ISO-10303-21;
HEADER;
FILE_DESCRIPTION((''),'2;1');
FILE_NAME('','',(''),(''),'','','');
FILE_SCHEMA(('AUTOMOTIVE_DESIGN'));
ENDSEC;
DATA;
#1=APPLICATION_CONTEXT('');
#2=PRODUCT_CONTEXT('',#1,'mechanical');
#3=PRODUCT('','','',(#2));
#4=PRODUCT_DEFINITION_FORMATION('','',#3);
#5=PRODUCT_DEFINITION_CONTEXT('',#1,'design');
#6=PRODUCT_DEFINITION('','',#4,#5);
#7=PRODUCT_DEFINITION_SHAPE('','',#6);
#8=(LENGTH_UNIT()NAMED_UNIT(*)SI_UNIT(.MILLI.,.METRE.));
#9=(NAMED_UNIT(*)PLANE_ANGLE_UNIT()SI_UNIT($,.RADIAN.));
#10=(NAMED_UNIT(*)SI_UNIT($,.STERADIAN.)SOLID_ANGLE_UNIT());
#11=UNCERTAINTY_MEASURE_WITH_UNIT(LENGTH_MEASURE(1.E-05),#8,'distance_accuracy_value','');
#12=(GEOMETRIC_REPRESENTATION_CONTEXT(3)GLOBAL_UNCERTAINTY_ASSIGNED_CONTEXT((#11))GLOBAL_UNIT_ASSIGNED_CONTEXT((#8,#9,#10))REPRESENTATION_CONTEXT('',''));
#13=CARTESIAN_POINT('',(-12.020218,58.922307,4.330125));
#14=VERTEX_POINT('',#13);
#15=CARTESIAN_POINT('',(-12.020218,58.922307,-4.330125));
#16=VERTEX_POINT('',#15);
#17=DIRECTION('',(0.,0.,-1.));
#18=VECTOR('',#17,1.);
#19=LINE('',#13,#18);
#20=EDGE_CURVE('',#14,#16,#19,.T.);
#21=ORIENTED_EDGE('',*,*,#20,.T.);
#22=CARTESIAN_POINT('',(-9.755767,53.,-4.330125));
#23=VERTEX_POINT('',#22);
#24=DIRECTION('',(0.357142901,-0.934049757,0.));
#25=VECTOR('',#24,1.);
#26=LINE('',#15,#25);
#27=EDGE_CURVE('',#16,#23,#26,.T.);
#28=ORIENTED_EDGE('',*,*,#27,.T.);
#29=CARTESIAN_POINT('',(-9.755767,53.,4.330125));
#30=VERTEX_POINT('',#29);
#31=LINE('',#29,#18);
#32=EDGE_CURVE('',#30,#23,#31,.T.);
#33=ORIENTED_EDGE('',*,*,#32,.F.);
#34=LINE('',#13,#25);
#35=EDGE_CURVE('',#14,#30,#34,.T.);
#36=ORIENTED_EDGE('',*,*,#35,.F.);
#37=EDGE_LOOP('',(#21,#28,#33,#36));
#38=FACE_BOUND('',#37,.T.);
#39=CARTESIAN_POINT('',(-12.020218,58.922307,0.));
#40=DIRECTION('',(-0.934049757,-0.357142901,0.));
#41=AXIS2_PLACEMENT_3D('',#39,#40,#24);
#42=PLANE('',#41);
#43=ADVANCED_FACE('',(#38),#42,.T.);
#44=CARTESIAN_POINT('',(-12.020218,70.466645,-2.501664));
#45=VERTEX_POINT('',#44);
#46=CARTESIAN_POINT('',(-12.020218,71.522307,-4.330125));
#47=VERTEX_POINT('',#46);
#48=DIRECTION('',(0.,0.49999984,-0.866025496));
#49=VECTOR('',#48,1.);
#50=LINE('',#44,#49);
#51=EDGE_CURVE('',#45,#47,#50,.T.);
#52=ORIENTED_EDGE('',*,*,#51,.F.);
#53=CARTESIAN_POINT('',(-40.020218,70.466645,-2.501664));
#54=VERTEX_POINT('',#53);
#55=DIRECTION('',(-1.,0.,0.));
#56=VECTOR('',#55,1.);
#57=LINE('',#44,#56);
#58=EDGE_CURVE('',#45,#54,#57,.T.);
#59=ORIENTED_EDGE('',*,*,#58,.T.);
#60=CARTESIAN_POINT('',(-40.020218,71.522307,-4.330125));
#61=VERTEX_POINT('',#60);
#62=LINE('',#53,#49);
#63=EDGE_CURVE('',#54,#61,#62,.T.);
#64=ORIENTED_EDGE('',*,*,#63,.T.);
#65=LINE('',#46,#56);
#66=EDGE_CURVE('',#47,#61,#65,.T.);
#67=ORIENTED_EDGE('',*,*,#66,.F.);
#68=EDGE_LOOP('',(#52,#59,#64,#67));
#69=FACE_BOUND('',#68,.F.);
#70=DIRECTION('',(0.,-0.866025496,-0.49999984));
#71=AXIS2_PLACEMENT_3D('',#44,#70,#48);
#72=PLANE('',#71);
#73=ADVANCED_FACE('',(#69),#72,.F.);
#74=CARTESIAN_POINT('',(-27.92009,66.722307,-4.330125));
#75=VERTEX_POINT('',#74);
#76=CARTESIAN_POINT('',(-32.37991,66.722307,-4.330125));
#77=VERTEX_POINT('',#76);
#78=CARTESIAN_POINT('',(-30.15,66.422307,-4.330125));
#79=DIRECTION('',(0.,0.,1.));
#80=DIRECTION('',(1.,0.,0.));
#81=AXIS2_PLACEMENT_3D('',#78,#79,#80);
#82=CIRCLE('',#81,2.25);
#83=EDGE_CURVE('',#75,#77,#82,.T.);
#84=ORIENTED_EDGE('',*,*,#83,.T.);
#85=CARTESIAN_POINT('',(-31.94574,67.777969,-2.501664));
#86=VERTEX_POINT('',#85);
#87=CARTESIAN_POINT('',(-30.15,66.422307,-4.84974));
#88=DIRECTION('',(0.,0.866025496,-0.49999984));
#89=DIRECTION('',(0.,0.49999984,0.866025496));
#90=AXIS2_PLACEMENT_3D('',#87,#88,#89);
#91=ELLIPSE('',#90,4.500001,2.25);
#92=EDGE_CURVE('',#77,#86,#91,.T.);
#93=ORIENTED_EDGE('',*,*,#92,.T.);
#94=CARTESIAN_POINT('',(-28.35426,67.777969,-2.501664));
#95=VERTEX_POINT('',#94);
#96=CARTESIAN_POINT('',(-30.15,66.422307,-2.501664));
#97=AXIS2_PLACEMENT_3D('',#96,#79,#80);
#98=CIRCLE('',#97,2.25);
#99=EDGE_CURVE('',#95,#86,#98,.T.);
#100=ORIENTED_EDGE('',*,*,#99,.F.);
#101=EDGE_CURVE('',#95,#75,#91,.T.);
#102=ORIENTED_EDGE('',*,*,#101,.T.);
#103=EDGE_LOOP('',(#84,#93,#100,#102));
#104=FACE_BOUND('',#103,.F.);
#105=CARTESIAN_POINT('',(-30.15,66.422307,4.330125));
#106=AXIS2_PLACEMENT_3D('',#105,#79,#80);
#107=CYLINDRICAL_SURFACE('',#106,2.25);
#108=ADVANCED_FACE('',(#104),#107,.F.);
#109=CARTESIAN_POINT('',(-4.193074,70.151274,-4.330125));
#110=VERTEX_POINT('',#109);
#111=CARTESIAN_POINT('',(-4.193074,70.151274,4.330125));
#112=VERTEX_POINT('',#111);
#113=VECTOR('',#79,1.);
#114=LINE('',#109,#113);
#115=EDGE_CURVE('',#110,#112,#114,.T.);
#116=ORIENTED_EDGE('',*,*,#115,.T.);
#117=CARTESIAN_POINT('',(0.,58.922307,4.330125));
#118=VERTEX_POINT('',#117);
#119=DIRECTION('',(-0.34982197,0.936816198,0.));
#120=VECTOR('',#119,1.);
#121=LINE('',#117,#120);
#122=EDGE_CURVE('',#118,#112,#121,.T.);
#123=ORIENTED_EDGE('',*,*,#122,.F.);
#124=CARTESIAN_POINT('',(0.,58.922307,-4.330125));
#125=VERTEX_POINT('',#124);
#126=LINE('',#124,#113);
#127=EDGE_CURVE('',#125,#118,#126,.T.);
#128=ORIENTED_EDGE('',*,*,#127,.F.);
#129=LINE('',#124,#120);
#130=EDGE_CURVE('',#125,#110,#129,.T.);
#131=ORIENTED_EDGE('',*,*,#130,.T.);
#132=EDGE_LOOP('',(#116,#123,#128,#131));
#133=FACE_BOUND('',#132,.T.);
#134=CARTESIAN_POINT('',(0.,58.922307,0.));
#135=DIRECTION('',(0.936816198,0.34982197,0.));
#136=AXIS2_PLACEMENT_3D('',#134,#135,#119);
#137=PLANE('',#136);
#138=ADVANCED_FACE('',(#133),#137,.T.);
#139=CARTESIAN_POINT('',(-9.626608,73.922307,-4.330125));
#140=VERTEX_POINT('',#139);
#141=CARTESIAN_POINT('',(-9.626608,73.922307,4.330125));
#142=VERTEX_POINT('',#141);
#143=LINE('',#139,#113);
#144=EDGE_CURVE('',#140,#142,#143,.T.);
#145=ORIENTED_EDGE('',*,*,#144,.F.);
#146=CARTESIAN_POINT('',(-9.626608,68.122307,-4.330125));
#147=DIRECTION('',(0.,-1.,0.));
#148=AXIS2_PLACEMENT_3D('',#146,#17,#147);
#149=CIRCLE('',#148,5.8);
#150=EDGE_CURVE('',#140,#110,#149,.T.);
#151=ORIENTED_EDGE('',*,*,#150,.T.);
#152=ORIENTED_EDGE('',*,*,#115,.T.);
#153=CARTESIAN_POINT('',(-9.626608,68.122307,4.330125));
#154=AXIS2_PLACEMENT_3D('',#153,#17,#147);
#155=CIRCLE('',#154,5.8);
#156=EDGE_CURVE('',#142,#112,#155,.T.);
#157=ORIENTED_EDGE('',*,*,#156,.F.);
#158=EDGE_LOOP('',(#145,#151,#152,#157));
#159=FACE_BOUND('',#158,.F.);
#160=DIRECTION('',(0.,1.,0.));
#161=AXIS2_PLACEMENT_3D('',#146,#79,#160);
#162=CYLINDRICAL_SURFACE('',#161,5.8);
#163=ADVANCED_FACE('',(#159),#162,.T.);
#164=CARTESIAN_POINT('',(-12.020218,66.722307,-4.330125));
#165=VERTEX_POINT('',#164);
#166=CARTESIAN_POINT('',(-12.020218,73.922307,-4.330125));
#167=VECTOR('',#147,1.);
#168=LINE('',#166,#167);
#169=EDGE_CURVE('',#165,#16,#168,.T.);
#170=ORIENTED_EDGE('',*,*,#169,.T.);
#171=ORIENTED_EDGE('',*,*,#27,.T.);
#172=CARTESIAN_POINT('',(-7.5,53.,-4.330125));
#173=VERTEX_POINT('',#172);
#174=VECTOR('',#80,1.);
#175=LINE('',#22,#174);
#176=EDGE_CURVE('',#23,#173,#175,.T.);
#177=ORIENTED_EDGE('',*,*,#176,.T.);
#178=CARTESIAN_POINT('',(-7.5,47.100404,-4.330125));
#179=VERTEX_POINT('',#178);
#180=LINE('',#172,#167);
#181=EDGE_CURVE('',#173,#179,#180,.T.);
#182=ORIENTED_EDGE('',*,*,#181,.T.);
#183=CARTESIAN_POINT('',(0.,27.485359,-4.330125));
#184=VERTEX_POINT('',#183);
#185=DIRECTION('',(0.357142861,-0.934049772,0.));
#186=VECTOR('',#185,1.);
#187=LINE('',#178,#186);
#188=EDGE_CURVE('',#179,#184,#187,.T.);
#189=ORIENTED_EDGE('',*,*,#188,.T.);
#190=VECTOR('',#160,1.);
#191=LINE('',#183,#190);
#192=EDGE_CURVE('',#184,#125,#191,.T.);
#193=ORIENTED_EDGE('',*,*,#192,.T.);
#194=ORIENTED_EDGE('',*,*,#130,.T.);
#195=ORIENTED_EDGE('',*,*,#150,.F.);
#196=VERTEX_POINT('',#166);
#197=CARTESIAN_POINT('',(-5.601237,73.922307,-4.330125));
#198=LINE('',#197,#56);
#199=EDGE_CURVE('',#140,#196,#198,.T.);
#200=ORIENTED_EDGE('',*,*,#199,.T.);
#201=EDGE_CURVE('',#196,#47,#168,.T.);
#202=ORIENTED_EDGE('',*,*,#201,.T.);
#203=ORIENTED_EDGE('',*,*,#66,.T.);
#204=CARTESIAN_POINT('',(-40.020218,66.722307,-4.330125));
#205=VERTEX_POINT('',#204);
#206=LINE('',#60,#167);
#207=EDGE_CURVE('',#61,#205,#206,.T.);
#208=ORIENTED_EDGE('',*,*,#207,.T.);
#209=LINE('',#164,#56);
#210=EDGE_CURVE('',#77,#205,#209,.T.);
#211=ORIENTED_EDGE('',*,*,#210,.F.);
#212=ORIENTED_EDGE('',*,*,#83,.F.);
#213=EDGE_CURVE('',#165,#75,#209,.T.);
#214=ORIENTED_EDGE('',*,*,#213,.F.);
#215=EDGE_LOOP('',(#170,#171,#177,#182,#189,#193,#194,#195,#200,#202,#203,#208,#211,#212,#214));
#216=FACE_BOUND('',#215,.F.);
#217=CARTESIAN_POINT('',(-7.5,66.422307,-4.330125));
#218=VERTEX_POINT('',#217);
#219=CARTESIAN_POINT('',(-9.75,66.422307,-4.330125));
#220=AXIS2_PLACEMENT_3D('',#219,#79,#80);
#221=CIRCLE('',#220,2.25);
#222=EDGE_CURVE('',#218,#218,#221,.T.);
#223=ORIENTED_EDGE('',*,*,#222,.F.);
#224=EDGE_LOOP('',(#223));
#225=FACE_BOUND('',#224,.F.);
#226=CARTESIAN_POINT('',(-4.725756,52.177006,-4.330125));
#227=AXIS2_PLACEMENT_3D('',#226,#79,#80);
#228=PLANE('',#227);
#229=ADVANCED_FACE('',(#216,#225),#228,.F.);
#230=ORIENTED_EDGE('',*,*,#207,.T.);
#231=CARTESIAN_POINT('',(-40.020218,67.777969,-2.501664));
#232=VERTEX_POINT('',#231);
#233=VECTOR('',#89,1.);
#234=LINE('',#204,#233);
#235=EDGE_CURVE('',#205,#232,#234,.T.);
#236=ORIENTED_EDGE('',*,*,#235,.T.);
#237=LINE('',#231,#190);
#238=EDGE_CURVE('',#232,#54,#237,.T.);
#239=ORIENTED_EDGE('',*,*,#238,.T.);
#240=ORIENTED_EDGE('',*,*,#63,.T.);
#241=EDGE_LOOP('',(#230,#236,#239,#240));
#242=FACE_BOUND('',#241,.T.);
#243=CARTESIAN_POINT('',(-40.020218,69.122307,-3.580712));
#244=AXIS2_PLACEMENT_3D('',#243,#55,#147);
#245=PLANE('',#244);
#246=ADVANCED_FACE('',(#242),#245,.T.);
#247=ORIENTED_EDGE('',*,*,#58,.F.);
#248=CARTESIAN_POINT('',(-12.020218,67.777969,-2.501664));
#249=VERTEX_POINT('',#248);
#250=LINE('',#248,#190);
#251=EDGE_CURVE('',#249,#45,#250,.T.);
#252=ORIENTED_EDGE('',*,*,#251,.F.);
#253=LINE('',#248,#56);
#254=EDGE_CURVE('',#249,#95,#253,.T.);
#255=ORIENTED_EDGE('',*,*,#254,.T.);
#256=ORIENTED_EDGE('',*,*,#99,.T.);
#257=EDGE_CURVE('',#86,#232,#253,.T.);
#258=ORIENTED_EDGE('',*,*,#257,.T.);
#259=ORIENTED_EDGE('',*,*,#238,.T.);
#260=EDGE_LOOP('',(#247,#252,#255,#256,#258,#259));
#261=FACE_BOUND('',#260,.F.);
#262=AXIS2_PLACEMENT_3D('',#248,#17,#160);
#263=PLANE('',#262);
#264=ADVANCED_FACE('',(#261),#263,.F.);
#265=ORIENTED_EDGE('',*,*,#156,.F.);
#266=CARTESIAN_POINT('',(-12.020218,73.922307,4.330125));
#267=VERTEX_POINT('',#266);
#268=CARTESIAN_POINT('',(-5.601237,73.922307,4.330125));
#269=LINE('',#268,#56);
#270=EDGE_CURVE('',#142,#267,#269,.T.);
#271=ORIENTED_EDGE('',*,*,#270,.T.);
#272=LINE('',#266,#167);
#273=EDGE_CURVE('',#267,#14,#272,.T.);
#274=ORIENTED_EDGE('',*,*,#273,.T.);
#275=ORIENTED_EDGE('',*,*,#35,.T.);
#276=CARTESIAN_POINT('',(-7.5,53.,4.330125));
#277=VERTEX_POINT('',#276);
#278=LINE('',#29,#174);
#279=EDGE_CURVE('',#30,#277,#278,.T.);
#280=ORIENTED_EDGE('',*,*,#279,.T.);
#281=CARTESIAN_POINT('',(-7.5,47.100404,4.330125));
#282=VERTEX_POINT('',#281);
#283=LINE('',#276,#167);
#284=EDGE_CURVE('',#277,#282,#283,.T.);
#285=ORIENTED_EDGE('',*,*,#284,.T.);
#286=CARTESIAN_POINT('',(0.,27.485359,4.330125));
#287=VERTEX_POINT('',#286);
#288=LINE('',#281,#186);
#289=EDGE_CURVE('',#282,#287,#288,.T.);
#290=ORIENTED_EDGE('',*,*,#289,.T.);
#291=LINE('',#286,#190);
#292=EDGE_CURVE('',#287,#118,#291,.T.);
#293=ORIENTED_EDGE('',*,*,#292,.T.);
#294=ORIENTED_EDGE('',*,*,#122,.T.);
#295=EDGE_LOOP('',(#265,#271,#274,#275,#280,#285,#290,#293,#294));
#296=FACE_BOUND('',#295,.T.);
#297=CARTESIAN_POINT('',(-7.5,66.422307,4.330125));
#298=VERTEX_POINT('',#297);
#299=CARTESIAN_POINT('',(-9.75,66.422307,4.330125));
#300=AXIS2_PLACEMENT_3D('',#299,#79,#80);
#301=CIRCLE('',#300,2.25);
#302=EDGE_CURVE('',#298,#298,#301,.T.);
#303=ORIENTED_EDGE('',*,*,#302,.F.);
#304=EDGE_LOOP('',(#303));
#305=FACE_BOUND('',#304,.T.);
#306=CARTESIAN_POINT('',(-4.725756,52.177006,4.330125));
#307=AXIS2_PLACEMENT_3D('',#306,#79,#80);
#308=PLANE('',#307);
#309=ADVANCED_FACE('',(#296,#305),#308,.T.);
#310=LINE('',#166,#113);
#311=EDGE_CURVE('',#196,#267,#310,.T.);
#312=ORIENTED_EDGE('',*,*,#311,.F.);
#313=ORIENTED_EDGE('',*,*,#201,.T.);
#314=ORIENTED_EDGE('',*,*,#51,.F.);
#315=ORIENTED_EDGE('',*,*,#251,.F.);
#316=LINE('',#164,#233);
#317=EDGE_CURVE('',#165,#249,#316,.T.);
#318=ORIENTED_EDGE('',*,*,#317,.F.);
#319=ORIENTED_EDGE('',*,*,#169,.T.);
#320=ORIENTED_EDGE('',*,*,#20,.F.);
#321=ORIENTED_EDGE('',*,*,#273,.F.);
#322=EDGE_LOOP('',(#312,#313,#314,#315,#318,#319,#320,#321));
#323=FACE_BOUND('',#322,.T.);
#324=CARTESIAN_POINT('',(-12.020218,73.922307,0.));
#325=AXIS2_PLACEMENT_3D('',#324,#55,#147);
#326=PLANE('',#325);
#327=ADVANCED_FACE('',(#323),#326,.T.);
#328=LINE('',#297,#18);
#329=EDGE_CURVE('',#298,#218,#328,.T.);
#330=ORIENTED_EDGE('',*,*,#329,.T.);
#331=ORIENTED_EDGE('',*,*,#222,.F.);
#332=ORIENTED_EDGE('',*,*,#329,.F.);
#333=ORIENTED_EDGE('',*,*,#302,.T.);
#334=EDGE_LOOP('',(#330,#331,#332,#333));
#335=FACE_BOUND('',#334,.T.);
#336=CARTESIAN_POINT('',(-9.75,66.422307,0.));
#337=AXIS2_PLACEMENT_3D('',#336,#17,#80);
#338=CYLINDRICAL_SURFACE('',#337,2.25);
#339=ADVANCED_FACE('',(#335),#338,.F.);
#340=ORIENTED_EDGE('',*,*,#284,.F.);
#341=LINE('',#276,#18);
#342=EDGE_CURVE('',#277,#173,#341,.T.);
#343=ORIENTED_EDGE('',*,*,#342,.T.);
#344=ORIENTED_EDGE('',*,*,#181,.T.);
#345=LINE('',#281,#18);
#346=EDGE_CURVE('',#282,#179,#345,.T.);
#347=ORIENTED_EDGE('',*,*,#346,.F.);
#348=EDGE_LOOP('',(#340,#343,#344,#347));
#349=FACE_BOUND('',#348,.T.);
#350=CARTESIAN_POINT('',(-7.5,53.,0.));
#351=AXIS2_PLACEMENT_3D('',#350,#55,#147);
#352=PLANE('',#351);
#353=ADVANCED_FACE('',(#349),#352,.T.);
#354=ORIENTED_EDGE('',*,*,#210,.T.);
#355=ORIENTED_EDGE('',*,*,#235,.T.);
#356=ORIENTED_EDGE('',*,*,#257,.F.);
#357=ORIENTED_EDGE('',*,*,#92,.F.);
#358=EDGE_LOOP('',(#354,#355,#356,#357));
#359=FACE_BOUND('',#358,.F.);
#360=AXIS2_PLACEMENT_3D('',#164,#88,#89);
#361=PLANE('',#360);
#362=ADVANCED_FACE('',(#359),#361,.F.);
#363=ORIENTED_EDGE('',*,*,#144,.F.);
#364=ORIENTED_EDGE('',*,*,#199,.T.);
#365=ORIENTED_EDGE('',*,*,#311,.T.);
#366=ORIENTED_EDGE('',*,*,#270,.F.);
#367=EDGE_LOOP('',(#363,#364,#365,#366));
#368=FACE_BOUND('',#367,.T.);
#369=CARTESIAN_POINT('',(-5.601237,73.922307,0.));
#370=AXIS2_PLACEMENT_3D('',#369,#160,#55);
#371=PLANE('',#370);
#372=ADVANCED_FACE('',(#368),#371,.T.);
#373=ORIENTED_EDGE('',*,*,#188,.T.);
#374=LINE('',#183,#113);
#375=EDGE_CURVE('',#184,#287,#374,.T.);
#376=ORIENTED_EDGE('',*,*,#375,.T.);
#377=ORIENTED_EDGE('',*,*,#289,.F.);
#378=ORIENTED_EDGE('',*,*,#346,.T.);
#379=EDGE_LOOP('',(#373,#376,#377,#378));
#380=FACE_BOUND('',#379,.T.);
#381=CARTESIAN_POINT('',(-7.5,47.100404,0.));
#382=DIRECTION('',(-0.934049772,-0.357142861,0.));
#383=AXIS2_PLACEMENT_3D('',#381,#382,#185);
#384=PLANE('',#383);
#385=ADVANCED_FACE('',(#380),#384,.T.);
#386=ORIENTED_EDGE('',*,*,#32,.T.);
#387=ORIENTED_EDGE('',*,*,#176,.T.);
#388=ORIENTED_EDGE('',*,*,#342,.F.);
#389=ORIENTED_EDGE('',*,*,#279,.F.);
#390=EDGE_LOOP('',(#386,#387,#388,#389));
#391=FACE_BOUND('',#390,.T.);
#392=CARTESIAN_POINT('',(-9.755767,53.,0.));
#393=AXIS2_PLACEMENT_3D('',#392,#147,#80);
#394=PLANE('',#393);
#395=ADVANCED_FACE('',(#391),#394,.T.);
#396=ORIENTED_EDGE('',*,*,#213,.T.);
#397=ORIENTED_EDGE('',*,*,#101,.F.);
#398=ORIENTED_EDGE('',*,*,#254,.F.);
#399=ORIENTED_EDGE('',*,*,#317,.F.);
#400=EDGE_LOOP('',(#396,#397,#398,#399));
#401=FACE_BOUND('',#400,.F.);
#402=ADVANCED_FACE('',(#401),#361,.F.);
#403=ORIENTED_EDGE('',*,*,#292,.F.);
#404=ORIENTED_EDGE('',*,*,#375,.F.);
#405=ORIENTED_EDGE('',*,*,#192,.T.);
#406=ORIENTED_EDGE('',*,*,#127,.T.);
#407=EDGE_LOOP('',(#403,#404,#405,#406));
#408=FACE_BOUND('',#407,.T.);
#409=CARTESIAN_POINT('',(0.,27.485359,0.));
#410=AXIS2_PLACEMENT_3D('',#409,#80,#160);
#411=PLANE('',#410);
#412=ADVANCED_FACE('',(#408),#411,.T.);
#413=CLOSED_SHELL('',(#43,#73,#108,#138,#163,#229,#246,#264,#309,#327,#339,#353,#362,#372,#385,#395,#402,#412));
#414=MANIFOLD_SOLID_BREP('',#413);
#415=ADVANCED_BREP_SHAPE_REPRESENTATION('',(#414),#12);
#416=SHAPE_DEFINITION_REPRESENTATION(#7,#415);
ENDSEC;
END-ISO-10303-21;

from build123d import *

# Parameters (mm, degrees)
F0_R     = 2.25
F1_DEPTH = 4.330125
F2_R     = 5.8
F4_DEPTH = 28
F5_R     = 2.25
F6_DEPTH = 25


with BuildPart() as f1:
    # F0 (on Top) → F1 (new body, symmetric)
    with BuildSketch(Plane.XY):
        Polygon((-7.5, 47.100404), (0, 27.485359), (0, 58.922307), (-5.601237, 73.922307), (-12.020218, 73.922307), (-12.020218, 58.922307), (-9.755767, 53), (-7.5, 53), align=None)
        with Locations((-9.75, 66.422307)):
            Circle(F0_R, mode=Mode.SUBTRACT)
    extrude(amount=F1_DEPTH, both=True)

    # F2
    f2_edges = [f1.edges().sort_by_distance(p)[0] for p in [
        (-5.601237, 73.922307, 0),
    ]]
    fillet(f2_edges, radius=F2_R)

    # F3 (on face) → F4 (join)
    with BuildSketch(Plane(origin=(-12.020218, 0, 0), x_dir=(0, -1, 0), z_dir=(-1, 0, 0))):
        Polygon((-70.466645, -2.501664), (-71.522307, -4.330125), (-66.722307, -4.330125), (-67.777969, -2.501664), align=None)
    extrude(amount=F4_DEPTH)

    # F5 (on face) → F6 (cut)
    with BuildSketch(Plane.XY.offset(4.330125)):
        with Locations((-30.15, 66.422307)):
            Circle(F5_R)
    extrude(amount=-F6_DEPTH, mode=Mode.SUBTRACT)


solid = f1.part
